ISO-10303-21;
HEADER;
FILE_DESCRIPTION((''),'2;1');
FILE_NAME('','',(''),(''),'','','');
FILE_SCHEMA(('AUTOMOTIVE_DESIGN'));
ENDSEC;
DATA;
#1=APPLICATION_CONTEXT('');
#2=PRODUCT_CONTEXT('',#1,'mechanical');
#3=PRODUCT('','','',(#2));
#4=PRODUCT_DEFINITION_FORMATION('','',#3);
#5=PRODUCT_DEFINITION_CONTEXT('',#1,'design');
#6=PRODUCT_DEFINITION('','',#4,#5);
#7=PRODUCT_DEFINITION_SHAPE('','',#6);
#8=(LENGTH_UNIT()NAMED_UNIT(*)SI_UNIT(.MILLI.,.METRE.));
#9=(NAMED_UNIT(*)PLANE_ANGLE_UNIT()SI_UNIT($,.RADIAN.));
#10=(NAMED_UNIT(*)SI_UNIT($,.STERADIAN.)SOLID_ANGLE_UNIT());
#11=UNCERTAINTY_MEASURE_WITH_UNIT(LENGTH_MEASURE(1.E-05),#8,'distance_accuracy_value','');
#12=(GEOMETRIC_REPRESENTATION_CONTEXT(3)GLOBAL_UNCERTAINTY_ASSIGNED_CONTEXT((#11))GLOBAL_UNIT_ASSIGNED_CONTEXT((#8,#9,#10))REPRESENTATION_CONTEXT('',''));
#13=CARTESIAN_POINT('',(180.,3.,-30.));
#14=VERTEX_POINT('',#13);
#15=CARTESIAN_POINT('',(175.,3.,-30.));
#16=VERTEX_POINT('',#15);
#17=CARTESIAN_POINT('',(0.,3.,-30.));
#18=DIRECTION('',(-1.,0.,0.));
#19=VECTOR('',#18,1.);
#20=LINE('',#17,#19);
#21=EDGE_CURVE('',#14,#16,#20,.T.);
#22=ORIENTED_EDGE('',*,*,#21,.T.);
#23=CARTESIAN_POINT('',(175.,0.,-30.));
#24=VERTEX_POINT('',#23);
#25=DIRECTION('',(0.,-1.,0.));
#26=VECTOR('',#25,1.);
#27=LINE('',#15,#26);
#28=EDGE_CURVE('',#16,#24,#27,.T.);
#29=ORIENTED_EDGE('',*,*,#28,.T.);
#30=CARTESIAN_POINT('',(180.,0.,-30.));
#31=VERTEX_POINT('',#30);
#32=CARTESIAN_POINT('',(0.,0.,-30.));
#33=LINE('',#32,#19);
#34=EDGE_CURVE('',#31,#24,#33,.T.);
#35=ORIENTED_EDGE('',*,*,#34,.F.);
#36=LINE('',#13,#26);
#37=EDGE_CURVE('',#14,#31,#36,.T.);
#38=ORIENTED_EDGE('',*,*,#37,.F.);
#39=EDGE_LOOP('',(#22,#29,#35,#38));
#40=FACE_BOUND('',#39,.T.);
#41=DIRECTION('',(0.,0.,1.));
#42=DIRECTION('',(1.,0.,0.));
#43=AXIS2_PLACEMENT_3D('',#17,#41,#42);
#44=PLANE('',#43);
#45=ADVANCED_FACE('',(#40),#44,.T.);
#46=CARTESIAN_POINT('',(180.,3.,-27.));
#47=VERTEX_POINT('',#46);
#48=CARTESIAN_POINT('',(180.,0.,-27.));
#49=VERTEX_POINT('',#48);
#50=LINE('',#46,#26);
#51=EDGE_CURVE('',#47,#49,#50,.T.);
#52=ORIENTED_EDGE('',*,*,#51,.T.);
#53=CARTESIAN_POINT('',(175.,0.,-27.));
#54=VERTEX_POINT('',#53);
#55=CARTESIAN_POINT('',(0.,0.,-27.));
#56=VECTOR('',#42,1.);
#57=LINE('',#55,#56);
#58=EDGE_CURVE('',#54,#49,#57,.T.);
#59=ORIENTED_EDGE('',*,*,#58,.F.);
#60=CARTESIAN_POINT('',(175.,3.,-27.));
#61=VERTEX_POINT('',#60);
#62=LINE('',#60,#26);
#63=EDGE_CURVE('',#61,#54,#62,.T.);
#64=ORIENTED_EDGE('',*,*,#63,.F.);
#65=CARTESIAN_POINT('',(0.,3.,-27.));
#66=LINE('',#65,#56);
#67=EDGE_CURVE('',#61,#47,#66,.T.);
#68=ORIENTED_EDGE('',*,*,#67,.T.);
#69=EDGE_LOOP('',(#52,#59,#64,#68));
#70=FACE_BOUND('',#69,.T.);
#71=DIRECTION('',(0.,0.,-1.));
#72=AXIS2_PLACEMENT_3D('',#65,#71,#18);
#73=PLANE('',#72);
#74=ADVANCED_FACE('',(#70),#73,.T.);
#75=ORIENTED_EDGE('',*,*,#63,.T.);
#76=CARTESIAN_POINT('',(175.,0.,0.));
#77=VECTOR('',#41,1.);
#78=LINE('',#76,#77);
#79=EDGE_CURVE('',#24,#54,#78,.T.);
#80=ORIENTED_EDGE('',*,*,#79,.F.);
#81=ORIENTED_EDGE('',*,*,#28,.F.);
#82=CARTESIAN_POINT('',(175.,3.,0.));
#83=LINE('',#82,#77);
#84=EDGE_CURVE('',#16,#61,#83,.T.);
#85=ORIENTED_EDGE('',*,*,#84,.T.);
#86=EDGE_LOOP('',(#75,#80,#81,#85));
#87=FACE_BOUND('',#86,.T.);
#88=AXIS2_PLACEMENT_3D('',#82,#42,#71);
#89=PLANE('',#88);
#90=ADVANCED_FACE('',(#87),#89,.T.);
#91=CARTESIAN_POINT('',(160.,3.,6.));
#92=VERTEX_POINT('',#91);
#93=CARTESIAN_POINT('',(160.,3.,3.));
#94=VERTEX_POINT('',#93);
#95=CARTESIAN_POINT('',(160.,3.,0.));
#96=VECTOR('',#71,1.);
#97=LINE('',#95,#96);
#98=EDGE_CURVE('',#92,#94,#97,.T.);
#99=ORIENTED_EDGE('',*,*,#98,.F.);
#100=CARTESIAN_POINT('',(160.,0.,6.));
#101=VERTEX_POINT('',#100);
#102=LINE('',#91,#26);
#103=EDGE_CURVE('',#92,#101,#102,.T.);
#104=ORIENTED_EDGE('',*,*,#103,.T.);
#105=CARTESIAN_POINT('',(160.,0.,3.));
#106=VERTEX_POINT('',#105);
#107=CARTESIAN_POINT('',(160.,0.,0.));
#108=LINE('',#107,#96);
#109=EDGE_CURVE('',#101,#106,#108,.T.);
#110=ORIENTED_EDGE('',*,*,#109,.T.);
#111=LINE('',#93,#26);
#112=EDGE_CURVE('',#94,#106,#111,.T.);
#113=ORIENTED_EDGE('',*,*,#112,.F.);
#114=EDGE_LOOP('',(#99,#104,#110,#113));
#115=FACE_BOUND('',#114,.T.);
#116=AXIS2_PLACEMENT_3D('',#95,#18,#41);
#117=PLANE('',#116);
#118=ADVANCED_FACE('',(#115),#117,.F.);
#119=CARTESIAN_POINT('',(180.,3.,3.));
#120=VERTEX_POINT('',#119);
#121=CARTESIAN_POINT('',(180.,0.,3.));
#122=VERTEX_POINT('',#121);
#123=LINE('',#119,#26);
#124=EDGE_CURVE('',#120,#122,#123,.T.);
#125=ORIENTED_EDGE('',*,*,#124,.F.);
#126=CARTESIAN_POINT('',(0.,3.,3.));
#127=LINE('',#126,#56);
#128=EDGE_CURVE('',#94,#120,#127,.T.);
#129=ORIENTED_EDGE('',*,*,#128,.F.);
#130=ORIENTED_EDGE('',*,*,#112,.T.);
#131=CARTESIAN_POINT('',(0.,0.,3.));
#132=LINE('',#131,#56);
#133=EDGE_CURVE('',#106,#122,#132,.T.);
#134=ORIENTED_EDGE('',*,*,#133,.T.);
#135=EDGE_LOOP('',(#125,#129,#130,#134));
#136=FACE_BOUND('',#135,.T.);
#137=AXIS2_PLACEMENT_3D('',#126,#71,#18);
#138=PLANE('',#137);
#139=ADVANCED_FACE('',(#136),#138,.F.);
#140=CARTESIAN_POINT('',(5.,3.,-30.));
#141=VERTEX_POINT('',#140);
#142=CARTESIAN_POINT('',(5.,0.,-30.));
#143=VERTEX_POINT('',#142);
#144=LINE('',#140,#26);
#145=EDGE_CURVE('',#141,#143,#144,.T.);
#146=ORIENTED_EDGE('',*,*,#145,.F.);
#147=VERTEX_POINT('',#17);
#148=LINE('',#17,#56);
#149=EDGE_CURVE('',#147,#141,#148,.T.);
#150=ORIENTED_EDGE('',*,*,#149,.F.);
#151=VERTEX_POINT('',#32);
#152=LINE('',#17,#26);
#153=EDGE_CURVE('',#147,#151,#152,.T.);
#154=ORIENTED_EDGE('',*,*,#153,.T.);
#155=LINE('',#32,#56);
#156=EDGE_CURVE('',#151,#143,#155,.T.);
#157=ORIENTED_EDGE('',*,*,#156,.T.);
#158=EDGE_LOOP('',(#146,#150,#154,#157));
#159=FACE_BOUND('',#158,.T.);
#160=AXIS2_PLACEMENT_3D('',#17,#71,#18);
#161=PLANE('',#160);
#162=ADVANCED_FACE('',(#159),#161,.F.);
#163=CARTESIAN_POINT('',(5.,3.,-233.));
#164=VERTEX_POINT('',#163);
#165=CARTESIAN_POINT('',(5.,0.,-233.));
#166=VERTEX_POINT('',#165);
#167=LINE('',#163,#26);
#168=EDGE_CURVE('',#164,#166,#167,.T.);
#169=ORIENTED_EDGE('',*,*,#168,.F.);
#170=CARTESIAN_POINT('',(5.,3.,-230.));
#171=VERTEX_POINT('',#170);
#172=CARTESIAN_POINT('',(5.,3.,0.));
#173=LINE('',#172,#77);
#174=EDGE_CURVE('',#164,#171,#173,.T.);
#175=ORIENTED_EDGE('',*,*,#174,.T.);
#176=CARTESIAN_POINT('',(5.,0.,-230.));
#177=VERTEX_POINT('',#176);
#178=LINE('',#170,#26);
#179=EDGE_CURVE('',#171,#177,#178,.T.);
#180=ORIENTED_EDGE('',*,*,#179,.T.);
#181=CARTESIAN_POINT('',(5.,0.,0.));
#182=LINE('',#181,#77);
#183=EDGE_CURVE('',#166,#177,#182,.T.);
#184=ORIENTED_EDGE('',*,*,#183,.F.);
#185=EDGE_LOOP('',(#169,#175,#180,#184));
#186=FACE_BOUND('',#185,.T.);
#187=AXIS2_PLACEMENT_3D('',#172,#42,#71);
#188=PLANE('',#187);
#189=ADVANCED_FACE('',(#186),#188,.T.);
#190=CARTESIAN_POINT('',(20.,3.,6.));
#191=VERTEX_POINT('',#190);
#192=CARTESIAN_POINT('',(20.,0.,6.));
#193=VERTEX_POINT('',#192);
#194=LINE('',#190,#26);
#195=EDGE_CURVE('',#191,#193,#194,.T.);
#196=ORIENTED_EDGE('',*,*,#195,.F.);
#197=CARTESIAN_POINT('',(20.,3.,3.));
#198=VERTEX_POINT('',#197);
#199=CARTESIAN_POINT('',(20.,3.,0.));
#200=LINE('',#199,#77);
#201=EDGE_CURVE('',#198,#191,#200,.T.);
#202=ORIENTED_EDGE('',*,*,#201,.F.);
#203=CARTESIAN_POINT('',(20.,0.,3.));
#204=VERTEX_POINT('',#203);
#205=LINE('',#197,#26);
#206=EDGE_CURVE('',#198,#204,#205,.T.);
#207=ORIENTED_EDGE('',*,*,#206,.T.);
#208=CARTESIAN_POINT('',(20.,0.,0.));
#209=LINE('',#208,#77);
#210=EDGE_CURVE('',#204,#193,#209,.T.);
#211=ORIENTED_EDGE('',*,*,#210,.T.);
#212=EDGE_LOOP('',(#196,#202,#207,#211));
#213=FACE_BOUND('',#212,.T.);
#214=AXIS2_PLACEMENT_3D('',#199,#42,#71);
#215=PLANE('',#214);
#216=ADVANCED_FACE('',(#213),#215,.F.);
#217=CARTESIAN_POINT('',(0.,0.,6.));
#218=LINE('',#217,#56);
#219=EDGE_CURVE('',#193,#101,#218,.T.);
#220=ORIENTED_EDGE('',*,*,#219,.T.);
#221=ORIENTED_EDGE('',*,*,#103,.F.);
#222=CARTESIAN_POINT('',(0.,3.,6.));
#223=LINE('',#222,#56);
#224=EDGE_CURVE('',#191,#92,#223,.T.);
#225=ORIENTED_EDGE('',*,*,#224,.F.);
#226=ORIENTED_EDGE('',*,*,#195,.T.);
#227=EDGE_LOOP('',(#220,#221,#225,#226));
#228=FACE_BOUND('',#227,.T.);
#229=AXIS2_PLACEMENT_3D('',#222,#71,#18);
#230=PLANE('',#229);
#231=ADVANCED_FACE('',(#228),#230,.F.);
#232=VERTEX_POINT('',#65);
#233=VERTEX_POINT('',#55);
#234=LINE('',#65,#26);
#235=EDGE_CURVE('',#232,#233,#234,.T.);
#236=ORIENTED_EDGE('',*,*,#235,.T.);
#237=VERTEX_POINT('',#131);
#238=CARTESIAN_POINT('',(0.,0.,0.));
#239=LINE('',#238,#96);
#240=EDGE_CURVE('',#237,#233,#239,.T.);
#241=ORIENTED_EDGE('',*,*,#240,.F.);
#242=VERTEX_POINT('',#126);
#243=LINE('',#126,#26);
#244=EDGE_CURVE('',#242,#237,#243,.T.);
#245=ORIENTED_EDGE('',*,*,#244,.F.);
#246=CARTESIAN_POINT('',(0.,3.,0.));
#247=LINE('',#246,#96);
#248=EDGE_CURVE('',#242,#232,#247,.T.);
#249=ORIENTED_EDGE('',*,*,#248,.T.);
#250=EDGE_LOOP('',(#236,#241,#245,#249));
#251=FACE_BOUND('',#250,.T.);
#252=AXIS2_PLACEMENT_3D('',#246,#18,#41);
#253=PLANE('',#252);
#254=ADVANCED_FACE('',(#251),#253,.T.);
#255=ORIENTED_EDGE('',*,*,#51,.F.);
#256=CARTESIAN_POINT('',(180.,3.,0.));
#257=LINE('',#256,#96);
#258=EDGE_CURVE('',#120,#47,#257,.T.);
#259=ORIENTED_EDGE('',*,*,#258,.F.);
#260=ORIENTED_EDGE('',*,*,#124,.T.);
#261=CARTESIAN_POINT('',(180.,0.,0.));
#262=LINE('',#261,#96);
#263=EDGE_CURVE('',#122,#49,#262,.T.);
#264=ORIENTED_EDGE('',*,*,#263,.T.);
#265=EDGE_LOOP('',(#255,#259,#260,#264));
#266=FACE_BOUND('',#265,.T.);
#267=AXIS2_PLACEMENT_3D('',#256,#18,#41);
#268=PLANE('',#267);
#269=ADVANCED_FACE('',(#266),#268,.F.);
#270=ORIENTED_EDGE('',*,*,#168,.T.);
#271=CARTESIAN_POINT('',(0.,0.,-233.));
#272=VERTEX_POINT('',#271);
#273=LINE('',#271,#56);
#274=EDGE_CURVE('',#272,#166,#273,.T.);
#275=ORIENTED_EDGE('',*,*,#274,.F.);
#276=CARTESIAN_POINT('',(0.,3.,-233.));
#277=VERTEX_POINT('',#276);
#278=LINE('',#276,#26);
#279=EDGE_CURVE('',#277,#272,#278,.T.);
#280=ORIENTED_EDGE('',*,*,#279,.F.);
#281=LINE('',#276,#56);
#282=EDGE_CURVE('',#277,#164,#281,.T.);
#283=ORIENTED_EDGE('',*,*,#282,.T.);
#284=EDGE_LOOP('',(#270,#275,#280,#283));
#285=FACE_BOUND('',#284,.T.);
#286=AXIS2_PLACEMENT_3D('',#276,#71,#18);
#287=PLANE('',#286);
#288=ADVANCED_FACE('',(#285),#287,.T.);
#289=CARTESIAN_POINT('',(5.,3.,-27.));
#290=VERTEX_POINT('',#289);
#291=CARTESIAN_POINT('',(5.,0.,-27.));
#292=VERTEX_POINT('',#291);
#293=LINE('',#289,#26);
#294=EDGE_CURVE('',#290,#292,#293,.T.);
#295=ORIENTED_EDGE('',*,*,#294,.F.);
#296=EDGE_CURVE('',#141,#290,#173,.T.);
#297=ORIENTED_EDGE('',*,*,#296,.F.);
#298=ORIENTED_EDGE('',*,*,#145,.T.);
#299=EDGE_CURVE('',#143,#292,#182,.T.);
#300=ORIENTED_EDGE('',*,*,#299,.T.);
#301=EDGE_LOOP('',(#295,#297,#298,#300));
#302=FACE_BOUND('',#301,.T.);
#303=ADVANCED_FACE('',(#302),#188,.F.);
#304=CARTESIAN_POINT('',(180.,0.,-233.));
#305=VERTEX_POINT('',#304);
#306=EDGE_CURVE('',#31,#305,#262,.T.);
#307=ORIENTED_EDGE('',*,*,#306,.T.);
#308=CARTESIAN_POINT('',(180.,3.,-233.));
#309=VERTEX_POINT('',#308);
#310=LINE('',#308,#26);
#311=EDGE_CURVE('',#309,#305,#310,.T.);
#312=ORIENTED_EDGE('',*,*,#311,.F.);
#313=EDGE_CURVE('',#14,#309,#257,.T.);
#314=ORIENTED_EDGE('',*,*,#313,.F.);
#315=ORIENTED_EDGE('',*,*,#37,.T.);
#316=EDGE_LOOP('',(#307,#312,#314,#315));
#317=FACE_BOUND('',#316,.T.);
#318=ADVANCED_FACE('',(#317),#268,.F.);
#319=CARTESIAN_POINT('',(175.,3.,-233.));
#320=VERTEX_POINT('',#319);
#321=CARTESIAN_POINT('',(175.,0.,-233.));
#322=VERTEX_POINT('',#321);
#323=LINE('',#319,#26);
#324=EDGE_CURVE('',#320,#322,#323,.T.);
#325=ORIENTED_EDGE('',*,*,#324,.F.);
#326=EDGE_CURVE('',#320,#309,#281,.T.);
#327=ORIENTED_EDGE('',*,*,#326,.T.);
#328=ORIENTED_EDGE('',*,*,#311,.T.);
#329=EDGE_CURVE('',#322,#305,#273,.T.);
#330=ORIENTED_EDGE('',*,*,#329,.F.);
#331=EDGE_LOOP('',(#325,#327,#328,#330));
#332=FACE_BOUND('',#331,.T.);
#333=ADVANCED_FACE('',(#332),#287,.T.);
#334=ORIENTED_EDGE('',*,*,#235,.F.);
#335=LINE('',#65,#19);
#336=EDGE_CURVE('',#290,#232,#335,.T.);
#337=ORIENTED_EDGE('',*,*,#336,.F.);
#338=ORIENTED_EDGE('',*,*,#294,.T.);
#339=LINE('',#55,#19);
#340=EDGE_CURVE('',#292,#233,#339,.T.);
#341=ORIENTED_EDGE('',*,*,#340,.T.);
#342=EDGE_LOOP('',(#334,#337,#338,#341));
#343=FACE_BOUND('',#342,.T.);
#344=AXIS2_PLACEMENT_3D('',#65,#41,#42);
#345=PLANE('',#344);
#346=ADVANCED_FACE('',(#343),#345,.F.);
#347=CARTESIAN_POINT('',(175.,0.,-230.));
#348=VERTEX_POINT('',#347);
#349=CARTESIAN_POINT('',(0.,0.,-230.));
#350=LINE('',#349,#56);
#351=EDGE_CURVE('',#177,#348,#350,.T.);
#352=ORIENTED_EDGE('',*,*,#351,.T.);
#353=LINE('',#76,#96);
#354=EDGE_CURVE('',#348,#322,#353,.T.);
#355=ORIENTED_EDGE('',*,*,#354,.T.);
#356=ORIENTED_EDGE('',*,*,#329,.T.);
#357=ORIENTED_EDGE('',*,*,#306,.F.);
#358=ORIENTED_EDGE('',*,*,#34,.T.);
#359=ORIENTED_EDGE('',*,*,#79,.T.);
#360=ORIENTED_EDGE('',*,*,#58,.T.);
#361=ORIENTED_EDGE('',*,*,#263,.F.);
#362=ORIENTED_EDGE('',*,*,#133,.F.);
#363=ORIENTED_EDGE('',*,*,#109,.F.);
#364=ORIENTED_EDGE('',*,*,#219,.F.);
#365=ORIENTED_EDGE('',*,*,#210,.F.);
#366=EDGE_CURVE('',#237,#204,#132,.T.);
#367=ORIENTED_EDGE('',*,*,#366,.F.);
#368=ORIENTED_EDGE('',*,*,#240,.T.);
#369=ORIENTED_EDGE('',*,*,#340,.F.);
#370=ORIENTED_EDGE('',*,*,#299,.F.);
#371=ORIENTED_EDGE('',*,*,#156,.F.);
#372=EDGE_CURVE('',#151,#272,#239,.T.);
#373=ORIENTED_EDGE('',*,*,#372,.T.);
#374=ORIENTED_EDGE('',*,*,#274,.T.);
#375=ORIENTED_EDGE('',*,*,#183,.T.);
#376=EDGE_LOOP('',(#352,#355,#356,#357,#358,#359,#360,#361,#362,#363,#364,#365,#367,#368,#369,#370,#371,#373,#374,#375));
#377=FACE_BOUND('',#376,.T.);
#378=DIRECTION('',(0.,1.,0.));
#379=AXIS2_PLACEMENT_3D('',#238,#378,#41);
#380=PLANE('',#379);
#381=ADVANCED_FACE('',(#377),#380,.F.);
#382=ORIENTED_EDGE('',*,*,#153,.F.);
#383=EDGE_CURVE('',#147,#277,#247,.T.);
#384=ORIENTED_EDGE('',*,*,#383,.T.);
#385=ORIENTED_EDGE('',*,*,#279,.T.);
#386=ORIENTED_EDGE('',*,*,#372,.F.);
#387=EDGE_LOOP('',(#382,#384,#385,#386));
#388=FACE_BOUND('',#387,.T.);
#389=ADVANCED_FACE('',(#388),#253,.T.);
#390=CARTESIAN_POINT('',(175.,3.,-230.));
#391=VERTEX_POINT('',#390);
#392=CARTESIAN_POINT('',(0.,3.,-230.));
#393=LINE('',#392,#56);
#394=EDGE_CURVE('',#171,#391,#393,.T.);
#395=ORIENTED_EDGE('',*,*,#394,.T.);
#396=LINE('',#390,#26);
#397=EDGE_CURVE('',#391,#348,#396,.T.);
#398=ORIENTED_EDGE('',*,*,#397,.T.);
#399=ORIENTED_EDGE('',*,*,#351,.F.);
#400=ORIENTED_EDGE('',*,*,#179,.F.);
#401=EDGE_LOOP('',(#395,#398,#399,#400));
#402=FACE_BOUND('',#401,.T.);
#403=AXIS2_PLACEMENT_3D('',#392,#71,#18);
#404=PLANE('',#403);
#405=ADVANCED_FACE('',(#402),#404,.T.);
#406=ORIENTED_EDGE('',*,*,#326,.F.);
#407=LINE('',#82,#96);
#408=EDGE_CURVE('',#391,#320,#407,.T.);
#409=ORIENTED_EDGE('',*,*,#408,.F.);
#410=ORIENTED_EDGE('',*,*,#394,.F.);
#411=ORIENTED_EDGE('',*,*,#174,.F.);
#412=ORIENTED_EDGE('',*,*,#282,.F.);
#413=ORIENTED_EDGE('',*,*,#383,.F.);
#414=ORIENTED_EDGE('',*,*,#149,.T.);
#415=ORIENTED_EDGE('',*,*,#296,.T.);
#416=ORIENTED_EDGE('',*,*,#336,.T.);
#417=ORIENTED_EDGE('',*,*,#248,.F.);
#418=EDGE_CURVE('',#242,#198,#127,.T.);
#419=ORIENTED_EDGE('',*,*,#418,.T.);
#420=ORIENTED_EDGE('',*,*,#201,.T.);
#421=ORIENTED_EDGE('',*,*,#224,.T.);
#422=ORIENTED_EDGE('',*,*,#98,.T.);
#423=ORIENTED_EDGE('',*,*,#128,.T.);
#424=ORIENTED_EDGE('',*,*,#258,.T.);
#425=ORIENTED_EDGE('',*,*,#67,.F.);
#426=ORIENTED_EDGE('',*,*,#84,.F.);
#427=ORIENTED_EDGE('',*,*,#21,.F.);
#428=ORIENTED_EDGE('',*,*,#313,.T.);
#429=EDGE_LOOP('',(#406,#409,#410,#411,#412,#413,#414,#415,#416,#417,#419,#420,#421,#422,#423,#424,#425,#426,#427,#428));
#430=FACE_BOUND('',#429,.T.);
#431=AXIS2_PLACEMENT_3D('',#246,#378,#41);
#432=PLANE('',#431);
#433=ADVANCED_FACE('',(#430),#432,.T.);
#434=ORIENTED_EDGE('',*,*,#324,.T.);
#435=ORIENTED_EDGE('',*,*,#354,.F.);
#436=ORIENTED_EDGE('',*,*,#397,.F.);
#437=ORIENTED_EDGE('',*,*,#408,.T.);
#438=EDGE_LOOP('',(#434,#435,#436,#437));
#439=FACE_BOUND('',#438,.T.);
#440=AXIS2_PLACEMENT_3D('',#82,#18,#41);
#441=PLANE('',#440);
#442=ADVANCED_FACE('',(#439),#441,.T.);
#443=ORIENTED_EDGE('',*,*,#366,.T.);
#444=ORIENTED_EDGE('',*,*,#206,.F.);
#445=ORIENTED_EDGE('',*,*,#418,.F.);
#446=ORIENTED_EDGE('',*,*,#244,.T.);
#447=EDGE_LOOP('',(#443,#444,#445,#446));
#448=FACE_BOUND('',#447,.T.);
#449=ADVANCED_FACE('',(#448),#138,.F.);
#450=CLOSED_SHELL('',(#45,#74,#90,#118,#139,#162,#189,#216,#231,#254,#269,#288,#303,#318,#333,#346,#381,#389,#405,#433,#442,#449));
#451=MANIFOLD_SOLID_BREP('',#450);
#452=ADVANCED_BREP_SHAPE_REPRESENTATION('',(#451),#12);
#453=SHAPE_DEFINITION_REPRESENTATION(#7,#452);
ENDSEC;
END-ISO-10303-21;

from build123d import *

# Parameters (mm, degrees)
EXTRUDE_1_DEPTH = 3


with BuildPart() as part:
    # 草图1 → 凸台-拉伸1 (new body)
    with BuildSketch(Plane(origin=(0, 0, 0), x_dir=(1, 0, 0), z_dir=(0, 1, 0))):
        Polygon((160, -3), (180, -3), (180, 0), (180, 27), (175, 27), (175, 30), (180, 30), (180, 230), (180, 233), (175, 233), (175, 230), (5, 230), (5, 233), (0, 233), (0, 230), (0, 30), (5, 30), (5, 27), (0, 27), (0, 0), (0, -3), (20, -3), (20, -6), (160, -6), align=None)
    extrude(amount=EXTRUDE_1_DEPTH)


solid = part.part
